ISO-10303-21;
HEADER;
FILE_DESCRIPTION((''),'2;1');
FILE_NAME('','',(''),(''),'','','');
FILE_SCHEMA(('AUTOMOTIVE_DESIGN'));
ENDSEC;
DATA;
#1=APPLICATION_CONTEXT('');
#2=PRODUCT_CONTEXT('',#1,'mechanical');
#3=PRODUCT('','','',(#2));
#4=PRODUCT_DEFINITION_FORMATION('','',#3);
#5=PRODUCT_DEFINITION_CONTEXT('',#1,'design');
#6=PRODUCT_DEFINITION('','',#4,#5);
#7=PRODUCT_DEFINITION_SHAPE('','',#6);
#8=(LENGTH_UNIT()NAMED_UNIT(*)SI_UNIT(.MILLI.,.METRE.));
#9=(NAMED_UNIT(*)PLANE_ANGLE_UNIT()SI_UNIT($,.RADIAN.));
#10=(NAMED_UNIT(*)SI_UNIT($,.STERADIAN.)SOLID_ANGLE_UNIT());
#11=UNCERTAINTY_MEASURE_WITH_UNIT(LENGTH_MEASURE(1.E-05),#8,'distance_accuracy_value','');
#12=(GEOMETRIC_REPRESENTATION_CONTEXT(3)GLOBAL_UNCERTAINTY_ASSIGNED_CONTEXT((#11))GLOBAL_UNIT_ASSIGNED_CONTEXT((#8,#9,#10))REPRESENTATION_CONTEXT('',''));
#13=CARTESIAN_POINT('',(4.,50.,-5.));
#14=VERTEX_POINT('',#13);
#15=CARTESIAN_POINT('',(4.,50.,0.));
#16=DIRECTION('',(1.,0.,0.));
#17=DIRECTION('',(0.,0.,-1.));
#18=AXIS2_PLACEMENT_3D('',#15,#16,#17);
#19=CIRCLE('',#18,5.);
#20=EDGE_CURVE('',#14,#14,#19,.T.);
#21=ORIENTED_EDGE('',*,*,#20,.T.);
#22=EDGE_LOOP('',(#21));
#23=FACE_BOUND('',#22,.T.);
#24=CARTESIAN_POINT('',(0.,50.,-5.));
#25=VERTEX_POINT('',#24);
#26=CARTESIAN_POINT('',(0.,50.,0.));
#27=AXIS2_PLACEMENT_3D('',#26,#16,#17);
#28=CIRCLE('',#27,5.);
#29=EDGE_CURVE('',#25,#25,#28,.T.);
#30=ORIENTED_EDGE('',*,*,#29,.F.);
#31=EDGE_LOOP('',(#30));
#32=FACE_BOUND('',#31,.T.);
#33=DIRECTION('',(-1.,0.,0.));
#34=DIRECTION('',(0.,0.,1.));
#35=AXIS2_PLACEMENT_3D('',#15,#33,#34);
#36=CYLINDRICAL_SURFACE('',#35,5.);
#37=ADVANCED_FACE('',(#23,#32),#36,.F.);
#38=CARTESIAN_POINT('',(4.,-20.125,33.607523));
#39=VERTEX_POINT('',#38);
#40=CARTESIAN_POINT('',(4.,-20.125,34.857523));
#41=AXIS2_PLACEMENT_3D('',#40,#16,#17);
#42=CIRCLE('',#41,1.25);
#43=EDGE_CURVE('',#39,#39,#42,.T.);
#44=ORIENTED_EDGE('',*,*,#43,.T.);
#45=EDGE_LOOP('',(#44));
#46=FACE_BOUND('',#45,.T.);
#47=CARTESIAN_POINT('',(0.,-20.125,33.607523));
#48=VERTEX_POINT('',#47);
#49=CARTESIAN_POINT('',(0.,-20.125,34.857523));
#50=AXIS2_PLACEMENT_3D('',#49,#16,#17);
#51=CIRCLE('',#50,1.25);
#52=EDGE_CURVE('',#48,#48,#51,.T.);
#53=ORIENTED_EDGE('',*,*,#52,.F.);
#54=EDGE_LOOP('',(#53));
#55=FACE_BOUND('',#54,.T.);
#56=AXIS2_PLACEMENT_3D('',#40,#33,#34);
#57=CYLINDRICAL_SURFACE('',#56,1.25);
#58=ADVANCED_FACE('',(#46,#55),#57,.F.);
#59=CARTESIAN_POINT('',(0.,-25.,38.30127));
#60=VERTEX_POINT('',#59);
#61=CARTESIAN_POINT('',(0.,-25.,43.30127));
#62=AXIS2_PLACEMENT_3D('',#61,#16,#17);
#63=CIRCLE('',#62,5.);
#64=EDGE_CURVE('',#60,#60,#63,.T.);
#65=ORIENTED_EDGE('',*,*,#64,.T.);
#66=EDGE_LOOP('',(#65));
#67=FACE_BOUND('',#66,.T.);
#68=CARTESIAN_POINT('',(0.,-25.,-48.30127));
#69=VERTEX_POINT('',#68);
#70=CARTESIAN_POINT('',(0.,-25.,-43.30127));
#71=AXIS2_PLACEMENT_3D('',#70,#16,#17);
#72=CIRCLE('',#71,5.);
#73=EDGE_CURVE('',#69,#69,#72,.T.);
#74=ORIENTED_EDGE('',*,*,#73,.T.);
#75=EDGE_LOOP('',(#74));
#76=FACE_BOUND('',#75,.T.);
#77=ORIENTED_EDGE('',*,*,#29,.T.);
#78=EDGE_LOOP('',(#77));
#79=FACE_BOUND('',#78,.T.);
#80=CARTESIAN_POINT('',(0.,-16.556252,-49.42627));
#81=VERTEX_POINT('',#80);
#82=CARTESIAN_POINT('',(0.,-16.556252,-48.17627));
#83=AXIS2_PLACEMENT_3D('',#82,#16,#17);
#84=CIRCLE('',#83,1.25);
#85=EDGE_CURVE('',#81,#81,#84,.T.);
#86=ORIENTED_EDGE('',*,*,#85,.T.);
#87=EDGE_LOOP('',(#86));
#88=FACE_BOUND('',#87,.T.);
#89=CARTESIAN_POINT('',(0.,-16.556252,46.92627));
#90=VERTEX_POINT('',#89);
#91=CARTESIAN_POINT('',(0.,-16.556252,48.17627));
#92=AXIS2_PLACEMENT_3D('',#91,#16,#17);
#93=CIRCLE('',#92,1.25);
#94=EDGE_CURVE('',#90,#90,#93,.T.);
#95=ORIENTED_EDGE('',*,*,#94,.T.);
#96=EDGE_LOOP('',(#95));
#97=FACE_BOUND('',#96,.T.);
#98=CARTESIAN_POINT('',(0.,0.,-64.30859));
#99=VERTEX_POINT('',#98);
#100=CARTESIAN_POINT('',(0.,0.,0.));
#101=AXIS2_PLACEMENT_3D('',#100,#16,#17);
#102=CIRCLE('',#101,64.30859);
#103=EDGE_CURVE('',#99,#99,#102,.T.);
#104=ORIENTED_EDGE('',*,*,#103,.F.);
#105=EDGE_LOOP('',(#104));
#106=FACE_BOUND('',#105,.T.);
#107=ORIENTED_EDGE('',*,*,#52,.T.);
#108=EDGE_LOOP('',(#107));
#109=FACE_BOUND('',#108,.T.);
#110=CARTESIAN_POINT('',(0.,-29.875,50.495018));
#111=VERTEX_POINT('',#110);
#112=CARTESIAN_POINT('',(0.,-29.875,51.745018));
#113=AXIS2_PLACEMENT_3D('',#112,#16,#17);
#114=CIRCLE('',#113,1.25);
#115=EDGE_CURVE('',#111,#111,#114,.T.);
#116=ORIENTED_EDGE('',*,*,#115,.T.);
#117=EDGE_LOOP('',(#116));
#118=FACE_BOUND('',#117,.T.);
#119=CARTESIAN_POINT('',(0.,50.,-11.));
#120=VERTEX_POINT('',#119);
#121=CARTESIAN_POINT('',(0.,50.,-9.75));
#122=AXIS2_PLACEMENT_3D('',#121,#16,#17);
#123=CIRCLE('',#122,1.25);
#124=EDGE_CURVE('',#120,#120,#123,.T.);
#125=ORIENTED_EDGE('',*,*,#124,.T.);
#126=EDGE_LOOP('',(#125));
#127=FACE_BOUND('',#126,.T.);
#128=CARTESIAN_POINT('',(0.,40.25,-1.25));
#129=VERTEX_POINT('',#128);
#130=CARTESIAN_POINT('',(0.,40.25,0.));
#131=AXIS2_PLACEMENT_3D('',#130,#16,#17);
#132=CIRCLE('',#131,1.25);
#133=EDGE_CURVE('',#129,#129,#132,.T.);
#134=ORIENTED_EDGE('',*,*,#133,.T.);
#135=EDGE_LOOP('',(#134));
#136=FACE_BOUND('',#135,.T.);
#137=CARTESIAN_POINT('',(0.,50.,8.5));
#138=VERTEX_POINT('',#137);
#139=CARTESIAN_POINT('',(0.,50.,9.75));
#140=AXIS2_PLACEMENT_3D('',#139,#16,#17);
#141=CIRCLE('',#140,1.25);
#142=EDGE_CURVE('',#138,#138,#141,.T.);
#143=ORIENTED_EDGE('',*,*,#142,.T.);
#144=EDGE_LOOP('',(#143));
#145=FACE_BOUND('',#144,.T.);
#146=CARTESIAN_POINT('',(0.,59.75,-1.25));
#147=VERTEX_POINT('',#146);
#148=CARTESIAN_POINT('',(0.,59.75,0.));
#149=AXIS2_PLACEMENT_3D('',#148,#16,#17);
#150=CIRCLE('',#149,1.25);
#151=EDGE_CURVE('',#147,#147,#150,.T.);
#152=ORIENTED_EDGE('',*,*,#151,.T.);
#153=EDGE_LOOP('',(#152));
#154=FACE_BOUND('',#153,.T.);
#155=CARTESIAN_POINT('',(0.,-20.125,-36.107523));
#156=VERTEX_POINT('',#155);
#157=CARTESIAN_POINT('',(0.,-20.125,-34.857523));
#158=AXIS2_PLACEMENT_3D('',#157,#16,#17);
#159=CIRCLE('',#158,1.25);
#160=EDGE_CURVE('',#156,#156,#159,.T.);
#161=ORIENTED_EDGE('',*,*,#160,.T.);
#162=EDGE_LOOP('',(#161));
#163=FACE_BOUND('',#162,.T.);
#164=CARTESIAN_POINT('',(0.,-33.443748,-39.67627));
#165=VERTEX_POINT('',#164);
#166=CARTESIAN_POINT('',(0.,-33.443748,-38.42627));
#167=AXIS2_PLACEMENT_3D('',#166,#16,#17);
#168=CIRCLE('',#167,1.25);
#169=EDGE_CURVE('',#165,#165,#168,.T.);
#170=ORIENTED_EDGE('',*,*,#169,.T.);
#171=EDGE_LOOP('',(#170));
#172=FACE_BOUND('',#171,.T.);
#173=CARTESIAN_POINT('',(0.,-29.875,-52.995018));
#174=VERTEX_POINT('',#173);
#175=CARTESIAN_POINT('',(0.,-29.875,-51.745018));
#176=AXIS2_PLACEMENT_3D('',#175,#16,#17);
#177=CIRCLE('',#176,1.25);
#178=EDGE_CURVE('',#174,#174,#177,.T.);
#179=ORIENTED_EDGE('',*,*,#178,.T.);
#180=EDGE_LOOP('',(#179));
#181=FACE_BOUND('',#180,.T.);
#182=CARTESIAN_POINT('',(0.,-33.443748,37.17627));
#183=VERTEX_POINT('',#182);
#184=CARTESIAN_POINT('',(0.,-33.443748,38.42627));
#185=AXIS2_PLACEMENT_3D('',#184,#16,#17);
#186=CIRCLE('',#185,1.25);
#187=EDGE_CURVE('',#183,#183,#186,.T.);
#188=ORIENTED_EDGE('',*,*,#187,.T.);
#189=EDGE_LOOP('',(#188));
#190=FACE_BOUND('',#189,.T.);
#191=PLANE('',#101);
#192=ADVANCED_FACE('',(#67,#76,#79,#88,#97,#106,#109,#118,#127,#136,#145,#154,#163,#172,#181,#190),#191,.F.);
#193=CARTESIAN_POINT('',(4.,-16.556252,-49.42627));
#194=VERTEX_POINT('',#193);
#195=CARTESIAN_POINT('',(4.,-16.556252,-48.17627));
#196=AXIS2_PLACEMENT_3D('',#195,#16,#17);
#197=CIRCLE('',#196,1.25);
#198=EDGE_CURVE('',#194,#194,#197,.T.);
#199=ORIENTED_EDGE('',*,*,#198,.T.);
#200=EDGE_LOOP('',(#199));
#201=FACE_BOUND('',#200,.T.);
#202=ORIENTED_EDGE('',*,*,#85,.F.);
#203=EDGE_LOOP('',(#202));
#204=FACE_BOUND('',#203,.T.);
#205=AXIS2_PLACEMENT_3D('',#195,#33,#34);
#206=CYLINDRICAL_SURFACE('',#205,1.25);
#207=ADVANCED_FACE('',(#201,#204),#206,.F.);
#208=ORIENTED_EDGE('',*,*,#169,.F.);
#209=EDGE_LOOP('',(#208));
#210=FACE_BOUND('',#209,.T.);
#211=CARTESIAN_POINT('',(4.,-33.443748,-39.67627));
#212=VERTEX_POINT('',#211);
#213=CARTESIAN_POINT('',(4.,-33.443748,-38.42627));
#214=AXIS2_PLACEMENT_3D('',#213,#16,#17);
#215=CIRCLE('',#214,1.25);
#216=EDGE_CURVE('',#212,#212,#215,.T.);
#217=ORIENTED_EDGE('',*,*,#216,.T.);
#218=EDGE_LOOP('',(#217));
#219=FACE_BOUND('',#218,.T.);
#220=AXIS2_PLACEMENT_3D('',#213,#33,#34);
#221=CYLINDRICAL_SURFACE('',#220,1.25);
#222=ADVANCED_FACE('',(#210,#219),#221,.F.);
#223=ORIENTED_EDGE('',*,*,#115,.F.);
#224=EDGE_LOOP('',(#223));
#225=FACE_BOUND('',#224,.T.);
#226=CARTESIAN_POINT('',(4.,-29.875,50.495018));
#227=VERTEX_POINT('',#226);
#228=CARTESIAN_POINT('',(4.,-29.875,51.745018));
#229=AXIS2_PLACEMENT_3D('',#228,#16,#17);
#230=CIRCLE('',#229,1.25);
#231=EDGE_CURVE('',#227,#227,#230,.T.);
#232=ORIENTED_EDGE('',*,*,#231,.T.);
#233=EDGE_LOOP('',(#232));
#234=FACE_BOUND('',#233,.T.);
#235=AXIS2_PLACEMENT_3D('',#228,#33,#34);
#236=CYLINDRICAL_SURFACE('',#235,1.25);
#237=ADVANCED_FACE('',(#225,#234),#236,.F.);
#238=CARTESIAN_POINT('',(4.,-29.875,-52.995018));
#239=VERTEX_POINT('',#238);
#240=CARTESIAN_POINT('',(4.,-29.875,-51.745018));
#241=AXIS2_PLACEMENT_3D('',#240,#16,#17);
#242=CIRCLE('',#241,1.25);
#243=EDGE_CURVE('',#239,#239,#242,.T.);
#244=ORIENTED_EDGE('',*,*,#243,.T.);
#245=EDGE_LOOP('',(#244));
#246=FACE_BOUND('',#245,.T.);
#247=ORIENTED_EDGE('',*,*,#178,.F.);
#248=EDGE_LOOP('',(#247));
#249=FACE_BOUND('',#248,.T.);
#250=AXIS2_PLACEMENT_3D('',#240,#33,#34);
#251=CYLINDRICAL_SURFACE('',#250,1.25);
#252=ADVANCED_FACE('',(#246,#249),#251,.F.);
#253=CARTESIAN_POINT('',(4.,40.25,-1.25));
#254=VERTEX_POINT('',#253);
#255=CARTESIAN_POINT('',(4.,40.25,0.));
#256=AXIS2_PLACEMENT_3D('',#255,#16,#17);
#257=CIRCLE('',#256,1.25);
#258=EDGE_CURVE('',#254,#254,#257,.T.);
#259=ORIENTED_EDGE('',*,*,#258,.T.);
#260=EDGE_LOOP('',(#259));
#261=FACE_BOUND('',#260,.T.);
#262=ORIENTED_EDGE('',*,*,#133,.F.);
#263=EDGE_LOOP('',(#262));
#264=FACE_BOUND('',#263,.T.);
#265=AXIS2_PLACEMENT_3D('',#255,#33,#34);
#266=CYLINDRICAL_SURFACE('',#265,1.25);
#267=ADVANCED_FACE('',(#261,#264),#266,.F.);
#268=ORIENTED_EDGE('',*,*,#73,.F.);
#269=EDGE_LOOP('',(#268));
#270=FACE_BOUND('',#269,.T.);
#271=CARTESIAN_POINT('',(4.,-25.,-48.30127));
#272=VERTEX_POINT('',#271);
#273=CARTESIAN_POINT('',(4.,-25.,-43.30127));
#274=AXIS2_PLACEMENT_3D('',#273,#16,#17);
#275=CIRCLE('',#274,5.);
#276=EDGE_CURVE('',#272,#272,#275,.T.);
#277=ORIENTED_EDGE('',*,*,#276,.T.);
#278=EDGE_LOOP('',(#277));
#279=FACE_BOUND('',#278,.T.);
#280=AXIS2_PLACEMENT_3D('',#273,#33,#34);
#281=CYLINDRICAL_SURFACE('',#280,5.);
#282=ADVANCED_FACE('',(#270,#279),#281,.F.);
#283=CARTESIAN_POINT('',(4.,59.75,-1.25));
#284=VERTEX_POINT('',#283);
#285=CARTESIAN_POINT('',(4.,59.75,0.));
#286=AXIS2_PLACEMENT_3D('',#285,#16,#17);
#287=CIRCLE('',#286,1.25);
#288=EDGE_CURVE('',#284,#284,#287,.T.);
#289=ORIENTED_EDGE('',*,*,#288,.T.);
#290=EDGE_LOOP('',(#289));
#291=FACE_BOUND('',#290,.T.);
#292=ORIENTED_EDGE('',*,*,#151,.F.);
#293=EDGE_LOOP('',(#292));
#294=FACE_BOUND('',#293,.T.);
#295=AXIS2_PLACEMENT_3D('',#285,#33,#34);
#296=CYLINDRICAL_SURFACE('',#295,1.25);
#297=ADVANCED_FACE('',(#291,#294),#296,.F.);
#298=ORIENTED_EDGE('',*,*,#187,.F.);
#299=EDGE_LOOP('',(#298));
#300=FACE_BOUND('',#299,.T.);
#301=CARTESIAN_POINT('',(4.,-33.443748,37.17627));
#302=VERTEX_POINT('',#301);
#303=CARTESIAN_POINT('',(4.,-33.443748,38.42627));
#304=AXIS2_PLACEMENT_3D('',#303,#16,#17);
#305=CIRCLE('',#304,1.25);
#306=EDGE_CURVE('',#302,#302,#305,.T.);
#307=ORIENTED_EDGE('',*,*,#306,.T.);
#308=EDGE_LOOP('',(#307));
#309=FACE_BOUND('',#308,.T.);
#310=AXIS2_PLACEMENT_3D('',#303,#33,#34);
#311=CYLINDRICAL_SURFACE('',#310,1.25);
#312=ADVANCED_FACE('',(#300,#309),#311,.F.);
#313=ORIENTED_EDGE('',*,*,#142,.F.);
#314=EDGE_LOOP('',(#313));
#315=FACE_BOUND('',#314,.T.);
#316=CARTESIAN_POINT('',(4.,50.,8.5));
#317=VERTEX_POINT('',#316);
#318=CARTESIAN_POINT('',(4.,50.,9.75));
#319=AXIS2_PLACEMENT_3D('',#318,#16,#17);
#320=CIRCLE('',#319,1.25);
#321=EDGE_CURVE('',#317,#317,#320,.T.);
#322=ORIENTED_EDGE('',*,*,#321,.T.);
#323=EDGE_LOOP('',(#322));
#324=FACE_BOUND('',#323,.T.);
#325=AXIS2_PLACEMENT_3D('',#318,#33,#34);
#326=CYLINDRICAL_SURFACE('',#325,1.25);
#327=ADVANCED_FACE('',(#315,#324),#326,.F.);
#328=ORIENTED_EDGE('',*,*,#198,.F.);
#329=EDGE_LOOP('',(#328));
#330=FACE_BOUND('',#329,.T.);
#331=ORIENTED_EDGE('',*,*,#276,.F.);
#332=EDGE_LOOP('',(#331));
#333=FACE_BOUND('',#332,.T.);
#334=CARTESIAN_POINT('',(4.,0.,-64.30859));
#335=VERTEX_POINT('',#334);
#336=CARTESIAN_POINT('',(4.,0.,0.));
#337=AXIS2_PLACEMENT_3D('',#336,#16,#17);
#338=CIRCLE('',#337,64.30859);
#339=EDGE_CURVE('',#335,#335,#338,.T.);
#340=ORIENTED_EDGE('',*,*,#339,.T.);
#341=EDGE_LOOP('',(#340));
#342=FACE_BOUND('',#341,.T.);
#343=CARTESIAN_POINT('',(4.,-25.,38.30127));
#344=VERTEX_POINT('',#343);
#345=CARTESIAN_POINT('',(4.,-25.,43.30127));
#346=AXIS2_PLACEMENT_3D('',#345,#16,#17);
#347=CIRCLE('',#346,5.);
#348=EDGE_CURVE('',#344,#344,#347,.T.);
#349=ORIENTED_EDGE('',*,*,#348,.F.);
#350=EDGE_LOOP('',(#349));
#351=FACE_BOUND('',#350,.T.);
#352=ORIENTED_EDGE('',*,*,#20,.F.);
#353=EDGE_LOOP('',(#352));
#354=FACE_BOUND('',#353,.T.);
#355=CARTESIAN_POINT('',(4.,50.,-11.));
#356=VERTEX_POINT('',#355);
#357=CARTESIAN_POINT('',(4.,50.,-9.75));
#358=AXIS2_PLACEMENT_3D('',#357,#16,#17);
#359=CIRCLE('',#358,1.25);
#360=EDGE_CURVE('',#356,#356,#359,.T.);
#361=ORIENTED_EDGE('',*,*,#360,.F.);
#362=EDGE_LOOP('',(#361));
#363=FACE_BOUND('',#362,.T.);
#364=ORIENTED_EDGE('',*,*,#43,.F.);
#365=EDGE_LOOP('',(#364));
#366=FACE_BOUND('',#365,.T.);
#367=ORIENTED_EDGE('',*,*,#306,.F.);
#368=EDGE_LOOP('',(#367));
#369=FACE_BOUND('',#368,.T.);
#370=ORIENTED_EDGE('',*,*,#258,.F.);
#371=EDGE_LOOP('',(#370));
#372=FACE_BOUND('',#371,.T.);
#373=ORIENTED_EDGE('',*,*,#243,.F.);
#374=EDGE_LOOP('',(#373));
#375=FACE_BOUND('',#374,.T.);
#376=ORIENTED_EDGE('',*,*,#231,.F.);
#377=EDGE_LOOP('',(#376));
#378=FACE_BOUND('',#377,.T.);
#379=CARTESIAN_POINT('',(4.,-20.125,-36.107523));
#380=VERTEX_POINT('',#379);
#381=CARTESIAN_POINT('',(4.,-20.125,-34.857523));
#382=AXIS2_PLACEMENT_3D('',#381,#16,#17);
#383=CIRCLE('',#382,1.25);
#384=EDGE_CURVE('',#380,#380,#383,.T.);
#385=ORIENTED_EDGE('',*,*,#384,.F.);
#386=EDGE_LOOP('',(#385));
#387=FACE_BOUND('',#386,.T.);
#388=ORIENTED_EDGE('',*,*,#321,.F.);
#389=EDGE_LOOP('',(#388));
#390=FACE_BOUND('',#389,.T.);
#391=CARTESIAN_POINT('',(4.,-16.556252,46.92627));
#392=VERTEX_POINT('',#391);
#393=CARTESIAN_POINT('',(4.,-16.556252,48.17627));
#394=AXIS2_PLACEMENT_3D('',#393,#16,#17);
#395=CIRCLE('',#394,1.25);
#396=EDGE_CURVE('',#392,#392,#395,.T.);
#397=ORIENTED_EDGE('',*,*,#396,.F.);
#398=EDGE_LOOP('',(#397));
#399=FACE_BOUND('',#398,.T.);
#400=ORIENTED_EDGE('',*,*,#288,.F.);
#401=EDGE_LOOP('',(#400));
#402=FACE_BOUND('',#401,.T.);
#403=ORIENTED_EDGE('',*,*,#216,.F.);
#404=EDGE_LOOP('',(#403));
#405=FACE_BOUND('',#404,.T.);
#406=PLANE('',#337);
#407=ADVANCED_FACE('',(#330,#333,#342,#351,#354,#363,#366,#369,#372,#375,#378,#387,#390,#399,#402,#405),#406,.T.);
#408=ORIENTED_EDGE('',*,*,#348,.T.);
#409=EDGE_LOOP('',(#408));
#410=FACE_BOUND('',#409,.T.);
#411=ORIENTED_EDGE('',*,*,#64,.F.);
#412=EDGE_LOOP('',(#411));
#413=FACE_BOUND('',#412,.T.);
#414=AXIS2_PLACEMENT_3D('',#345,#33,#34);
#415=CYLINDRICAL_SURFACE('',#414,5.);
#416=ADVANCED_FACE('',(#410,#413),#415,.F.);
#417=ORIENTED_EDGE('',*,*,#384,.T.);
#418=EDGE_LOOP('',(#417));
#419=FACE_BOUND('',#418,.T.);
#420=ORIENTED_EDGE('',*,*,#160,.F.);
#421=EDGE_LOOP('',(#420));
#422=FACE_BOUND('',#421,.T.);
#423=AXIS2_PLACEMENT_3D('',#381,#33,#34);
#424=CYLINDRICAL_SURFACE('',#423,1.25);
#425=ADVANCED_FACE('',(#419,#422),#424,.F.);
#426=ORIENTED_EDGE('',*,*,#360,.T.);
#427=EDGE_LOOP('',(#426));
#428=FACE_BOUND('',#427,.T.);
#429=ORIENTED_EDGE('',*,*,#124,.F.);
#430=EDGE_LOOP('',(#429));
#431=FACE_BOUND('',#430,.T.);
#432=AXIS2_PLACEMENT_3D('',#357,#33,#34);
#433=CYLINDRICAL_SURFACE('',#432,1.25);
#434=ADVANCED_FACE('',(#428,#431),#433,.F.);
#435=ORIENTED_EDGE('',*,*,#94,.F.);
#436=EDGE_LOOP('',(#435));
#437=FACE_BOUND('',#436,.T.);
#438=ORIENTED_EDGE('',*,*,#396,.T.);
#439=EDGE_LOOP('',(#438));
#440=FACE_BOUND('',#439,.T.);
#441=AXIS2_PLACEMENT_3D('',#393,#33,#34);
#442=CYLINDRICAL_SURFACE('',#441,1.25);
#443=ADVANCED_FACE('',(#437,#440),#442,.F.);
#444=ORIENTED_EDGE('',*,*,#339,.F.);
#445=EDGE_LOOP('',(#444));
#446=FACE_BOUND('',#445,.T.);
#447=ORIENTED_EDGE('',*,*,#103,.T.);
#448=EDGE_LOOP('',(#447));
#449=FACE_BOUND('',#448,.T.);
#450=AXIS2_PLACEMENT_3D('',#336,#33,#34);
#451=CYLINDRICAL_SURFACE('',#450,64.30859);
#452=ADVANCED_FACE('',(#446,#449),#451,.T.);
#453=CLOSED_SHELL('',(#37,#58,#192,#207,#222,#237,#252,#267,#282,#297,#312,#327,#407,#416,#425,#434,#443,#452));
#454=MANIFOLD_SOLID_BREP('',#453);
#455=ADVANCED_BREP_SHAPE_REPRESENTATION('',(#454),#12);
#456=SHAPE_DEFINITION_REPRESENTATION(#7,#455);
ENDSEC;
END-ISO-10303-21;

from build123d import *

# Parameters (mm, degrees)
SKETCH1_R           = 64.308589671
SKETCH1_R_2         = 1.25
SKETCH1_R_3         = 5
BOSS_EXTRUDE2_DEPTH = 4


with BuildPart() as part:
    # Sketch1 → Boss-Extrude2 (new body)
    with BuildSketch(Plane(origin=(0, 0, 0), x_dir=(0, 0, -1), z_dir=(1, 0, 0))):
        Circle(SKETCH1_R)
        with Locations((51.745017876, -29.875)):
            Circle(SKETCH1_R_2, mode=Mode.SUBTRACT)
        with Locations((0, 50)):
            Circle(SKETCH1_R_3, mode=Mode.SUBTRACT)
        with Locations((48.176270189, -16.556252313)):
            Circle(SKETCH1_R_2, mode=Mode.SUBTRACT)
        with Locations((43.301270189, -25)):
            Circle(SKETCH1_R_3, mode=Mode.SUBTRACT)
        with Locations((0, 59.75)):
            Circle(SKETCH1_R_2, mode=Mode.SUBTRACT)
        with Locations((9.75, 50)):
            Circle(SKETCH1_R_2, mode=Mode.SUBTRACT)
        with Locations((0, 40.25)):
            Circle(SKETCH1_R_2, mode=Mode.SUBTRACT)
        with Locations((-9.75, 50)):
            Circle(SKETCH1_R_2, mode=Mode.SUBTRACT)
        with Locations((38.426270189, -33.443747687)):
            Circle(SKETCH1_R_2, mode=Mode.SUBTRACT)
        with Locations((34.857522502, -20.125)):
            Circle(SKETCH1_R_2, mode=Mode.SUBTRACT)
        with Locations((-51.745017876, -29.875)):
            Circle(SKETCH1_R_2, mode=Mode.SUBTRACT)
        with Locations((-38.426270189, -33.443747687)):
            Circle(SKETCH1_R_2, mode=Mode.SUBTRACT)
        with Locations((-43.301270189, -25)):
            Circle(SKETCH1_R_3, mode=Mode.SUBTRACT)
        with Locations((-48.176270189, -16.556252313)):
            Circle(SKETCH1_R_2, mode=Mode.SUBTRACT)
        with Locations((-34.857522502, -20.125)):
            Circle(SKETCH1_R_2, mode=Mode.SUBTRACT)
    extrude(amount=BOSS_EXTRUDE2_DEPTH)


solid = part.part
